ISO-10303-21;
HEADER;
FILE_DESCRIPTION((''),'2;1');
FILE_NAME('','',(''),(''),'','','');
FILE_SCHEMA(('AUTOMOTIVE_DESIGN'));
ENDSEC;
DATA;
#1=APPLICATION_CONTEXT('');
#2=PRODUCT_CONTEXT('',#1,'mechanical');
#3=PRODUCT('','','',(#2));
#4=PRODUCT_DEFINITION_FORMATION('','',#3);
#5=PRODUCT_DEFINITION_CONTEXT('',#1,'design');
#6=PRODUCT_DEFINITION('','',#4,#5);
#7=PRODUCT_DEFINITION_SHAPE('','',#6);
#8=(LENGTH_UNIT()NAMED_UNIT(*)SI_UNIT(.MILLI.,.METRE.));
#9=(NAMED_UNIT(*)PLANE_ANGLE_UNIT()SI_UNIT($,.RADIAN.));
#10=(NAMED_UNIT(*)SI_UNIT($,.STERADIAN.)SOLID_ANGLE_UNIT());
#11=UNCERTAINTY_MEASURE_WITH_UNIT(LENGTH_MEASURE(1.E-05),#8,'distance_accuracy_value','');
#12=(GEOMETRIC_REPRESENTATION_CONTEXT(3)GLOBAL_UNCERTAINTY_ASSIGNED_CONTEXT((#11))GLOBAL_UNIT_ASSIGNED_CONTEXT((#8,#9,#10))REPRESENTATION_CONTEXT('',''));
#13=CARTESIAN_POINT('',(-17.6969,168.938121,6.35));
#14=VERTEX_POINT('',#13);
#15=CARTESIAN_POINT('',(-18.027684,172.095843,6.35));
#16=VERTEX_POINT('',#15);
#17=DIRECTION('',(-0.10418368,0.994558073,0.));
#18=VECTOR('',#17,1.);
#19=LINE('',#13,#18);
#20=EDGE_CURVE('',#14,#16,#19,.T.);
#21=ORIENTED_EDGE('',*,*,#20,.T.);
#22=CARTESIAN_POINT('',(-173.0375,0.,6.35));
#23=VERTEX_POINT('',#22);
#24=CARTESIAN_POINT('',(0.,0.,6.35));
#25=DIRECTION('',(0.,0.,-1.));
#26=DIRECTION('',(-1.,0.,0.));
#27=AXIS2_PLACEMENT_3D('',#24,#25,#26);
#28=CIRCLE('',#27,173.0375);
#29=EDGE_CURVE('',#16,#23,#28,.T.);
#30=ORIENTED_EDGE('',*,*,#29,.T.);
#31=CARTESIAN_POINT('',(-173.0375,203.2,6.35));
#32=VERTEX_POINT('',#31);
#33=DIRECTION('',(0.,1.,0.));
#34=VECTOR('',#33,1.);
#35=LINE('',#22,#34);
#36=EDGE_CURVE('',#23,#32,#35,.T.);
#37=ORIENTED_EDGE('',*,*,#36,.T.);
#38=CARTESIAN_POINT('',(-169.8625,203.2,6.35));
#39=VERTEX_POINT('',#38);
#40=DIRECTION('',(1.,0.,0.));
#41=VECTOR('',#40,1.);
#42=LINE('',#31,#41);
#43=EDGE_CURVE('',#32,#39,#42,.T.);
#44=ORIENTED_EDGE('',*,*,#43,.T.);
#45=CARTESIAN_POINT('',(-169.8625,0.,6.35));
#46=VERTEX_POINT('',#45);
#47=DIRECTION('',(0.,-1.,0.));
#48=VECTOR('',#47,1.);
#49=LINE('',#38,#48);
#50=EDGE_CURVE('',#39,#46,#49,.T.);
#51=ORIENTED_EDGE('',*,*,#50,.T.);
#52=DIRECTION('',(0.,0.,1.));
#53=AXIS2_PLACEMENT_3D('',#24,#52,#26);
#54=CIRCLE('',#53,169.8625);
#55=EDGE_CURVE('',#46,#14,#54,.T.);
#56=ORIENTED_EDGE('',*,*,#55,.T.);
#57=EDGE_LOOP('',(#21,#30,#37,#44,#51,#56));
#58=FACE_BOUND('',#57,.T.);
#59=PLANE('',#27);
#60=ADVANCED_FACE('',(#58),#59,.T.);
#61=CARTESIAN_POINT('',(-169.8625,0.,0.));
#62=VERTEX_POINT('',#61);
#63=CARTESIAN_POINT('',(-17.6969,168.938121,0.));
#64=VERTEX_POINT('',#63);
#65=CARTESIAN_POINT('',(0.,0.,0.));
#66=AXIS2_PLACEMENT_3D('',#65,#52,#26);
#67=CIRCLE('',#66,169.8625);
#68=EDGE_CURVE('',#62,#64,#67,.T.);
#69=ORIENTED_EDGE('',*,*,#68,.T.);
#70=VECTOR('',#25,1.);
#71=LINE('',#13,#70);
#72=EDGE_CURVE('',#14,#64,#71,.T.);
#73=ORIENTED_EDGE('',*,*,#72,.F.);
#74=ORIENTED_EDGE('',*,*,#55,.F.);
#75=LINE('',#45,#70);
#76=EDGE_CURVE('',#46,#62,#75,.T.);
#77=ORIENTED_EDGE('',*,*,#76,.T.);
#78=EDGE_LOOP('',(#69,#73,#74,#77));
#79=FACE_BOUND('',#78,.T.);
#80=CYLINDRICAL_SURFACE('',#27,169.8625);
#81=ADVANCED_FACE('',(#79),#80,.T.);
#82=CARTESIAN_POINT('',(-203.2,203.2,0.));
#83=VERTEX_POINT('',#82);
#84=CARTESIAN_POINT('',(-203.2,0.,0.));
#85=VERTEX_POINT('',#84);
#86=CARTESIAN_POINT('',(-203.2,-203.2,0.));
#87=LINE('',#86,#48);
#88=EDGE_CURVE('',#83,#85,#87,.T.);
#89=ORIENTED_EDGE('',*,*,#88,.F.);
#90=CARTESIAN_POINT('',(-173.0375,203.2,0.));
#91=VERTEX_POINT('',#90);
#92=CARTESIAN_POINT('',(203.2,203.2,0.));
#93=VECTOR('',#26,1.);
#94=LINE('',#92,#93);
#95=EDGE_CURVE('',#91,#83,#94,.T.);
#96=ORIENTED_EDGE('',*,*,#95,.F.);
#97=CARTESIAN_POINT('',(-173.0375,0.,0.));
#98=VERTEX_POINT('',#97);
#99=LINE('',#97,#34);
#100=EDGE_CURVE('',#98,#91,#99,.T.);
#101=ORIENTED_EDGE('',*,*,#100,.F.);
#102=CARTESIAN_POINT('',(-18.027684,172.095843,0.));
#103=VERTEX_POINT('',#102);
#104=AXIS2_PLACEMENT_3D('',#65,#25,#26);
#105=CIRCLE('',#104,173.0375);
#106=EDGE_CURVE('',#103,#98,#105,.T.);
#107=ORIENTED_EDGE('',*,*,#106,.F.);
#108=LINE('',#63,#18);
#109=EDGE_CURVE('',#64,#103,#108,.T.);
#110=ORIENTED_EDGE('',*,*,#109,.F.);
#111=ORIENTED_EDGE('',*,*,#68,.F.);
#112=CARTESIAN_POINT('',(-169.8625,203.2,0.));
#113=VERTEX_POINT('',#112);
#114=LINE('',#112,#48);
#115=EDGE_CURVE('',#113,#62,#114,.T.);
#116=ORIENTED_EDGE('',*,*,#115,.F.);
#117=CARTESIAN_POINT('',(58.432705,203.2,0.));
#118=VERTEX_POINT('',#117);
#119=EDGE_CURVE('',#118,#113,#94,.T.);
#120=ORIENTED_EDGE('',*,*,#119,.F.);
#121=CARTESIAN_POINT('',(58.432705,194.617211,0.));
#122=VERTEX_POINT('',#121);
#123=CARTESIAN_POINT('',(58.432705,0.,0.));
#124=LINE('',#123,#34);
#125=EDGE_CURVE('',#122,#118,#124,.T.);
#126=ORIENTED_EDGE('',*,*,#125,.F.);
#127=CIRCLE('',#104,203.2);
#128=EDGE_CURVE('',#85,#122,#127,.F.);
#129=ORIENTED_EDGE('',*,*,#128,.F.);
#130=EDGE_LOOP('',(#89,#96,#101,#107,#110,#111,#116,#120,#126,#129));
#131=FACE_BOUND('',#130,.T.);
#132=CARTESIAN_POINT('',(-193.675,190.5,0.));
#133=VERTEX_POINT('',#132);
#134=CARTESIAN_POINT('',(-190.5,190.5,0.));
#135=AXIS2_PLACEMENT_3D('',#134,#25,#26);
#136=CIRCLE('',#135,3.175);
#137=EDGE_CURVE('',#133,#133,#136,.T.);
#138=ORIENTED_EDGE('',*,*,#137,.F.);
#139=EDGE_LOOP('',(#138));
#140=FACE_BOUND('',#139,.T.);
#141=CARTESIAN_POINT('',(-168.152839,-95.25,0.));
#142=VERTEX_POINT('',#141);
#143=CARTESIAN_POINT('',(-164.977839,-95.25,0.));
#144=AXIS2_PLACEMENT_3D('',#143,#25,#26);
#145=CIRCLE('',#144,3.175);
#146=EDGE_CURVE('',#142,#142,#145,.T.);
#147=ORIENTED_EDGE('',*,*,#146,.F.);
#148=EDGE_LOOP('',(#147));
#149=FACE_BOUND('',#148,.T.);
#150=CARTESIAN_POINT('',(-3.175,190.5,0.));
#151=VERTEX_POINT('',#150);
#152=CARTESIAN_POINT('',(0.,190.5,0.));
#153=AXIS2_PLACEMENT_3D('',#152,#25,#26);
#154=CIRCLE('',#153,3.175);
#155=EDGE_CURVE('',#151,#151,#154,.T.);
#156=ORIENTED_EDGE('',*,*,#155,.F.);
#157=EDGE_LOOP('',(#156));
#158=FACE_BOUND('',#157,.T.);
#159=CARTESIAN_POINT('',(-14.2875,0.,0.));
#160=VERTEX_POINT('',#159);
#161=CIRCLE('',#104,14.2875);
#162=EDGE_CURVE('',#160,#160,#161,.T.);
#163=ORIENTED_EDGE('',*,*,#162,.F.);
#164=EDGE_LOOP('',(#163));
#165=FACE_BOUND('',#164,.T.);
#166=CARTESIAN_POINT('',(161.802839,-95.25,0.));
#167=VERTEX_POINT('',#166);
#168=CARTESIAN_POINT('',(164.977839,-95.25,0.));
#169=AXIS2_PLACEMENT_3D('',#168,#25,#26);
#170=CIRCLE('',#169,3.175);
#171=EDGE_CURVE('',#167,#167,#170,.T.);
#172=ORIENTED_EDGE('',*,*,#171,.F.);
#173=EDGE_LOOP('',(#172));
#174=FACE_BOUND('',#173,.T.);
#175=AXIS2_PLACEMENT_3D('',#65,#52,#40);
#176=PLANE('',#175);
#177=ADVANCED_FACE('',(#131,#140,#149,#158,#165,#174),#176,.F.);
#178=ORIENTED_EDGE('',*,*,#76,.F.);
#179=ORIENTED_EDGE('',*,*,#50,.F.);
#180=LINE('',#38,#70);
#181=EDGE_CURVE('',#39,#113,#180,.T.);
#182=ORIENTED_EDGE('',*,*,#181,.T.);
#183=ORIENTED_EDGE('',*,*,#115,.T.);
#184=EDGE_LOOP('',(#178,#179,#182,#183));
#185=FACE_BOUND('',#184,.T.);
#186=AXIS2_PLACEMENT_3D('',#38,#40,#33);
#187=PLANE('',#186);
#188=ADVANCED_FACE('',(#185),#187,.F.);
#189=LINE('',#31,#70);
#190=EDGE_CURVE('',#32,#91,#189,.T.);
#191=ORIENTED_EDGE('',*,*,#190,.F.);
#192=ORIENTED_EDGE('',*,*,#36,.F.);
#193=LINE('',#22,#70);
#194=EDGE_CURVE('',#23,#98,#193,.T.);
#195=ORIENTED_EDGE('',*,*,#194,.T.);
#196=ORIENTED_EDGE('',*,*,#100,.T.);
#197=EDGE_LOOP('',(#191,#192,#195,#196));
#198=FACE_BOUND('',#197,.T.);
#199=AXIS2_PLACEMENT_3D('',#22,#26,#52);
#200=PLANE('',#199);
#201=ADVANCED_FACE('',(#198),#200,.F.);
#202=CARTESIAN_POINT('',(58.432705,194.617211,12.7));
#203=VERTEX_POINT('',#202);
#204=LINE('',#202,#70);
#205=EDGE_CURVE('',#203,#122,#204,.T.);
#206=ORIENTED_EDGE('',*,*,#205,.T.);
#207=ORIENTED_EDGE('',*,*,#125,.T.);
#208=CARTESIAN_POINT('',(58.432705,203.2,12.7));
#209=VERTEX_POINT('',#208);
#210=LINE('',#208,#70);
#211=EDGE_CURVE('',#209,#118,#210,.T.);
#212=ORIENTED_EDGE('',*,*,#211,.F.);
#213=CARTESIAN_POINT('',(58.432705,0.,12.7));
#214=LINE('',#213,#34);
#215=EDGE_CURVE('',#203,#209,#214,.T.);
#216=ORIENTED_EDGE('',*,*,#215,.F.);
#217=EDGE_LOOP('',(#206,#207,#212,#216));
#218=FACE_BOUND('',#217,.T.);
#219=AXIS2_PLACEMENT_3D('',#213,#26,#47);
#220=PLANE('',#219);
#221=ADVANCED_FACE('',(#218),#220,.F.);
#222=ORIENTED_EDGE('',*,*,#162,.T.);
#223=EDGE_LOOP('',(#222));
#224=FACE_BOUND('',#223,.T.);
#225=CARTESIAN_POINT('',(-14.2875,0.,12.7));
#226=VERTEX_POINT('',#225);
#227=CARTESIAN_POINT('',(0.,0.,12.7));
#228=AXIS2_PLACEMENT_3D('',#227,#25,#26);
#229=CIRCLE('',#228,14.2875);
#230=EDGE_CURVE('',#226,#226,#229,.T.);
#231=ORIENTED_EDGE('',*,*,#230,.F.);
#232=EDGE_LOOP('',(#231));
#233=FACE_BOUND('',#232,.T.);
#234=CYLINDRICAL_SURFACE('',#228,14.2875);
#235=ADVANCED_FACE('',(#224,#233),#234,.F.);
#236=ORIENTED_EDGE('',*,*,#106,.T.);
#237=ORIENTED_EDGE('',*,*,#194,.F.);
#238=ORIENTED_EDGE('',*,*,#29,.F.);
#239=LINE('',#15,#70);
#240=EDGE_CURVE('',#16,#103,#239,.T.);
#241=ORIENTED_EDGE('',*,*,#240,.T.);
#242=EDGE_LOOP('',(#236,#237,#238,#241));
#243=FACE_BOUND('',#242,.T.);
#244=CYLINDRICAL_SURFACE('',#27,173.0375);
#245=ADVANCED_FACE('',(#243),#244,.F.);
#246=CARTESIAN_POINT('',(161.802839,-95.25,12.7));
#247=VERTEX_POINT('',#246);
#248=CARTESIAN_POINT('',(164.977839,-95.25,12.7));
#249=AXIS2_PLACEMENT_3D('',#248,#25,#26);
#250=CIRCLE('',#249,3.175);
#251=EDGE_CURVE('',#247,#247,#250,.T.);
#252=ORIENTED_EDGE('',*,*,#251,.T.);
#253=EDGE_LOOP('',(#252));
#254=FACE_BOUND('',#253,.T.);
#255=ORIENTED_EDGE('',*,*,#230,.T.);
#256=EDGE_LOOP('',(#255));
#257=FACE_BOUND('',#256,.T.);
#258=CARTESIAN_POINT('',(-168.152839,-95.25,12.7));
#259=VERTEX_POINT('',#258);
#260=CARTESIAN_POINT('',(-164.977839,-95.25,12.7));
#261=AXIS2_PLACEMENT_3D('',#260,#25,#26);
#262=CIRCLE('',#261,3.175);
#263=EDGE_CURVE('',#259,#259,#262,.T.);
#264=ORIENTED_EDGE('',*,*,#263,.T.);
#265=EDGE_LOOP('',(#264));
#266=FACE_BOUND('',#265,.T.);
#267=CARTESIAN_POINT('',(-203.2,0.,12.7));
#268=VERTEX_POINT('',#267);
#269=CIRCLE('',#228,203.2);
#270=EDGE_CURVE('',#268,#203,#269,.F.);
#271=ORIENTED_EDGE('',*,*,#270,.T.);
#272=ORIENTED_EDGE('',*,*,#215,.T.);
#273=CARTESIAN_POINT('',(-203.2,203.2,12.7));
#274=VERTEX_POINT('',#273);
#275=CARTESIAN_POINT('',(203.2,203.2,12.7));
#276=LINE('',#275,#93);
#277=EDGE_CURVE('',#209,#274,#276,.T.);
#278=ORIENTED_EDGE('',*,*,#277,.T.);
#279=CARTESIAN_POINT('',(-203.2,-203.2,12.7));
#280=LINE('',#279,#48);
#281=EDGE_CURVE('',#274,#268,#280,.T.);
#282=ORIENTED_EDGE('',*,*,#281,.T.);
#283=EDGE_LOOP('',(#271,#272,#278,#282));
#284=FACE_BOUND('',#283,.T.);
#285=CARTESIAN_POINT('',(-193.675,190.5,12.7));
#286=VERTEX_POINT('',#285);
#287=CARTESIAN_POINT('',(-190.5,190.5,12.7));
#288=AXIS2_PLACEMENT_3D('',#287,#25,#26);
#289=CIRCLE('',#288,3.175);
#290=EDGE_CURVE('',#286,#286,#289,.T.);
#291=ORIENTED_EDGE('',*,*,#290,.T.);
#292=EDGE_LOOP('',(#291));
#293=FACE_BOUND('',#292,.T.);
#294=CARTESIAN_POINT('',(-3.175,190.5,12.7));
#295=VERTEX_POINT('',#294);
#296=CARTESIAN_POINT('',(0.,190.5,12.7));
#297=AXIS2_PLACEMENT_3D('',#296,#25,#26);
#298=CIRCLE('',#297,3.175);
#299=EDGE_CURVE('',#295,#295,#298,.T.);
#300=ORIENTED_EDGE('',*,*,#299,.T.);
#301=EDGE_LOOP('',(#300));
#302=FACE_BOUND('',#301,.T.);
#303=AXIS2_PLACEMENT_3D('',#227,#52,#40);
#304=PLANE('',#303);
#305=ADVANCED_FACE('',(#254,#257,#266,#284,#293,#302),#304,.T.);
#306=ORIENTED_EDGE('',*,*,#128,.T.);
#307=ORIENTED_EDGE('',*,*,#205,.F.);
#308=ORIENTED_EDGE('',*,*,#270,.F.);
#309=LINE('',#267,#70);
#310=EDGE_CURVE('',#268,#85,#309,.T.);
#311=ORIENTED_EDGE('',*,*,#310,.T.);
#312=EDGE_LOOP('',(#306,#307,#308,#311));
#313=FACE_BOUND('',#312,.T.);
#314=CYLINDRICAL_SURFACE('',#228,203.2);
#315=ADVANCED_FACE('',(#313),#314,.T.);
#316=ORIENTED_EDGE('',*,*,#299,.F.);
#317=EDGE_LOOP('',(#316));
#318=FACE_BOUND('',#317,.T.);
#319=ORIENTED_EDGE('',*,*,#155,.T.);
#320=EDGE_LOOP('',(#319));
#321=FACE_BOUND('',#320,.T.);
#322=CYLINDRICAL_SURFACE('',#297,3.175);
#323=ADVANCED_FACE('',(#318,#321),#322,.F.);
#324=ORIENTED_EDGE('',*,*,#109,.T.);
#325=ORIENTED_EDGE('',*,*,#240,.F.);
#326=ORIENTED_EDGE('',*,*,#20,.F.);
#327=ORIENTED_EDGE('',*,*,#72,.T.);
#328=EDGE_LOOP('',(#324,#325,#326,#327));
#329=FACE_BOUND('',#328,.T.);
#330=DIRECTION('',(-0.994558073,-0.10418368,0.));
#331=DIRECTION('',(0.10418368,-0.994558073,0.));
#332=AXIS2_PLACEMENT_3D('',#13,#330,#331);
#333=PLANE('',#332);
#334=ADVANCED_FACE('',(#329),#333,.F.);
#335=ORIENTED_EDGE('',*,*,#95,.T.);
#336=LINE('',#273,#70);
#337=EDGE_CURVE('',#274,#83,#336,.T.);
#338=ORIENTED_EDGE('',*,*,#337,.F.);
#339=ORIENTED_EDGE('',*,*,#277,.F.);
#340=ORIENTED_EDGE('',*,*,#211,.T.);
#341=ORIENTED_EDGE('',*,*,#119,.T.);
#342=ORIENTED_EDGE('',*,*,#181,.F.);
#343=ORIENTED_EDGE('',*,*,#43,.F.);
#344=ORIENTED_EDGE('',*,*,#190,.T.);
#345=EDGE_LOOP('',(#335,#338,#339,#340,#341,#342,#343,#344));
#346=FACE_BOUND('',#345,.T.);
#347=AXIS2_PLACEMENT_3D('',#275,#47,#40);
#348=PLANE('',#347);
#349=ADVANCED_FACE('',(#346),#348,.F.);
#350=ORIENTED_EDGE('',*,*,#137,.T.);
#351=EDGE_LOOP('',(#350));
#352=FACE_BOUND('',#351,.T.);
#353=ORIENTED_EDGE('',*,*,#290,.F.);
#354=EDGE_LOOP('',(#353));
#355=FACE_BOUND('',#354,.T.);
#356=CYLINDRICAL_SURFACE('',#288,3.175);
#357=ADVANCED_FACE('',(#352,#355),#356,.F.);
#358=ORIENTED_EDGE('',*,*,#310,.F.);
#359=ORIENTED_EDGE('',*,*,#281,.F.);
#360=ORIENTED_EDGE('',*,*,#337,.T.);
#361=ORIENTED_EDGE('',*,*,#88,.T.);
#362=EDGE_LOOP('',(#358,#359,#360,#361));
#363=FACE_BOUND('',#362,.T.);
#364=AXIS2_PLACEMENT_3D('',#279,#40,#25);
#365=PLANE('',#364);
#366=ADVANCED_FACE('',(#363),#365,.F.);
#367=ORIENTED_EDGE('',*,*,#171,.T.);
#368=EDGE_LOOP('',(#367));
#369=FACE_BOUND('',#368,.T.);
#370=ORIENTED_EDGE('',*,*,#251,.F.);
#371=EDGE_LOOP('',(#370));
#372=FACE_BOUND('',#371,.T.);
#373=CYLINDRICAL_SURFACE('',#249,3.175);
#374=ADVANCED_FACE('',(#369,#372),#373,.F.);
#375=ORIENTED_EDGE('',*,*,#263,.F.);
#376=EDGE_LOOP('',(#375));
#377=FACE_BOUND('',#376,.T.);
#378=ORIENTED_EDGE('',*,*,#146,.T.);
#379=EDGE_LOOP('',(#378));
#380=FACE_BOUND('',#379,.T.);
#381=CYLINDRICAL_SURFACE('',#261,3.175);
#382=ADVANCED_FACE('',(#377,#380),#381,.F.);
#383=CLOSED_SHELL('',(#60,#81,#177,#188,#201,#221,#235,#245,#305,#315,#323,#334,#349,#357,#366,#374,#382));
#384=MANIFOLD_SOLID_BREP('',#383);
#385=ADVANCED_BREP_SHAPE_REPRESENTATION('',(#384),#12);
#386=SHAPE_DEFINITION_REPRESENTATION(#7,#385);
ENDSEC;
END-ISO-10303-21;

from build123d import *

# Parameters (mm, degrees)
SKETCH1_W           = 406.4
SKETCH1_H           = 406.4
BOSS_EXTRUDE1_DEPTH = 12.7
CUT_EXTRUDE1_DEPTH  = 6.35
SKETCH3_R           = 14.2875
CUT_EXTRUDE2_DEPTH  = 13.7
SKETCH4_R           = 3.175
CUT_EXTRUDE3_DEPTH  = 13.7


with BuildPart() as part:
    # Sketch1 → Boss-Extrude1 (new body)
    with BuildSketch(Plane.XY):
        Rectangle(SKETCH1_W, SKETCH1_H)
    extrude(amount=BOSS_EXTRUDE1_DEPTH)

    # Sketch2 → Cut-Extrude1 (cut)
    with BuildSketch(Plane(origin=(0, 0, 0), x_dir=(-1, 0, 0), z_dir=(0, 0, -1))):
        with BuildLine():
            Line((17.696900373, 168.938120694), (18.027683557, 172.095842576))
            ThreePointArc((18.027683557, 172.095842576), (-128.571850923, -115.806975422), (173.0375, 0))
            Line((173.0375, 0), (173.0375, 203.2))
            Line((173.0375, 203.2), (169.8625, 203.2))
            Line((169.8625, 203.2), (169.8625, 0))
            ThreePointArc((169.8625, 0), (-126.212734393, -113.68207679), (17.696900373, 168.938120694))
        make_face()
    extrude(amount=-CUT_EXTRUDE1_DEPTH, mode=Mode.SUBTRACT)

    # Sketch3 → Cut-Extrude2 (cut, through all)
    with BuildSketch(Plane(origin=(0, 0, 0), x_dir=(-1, 0, 0), z_dir=(0, 0, -1))):
        with BuildLine():
            ThreePointArc((203.2, 0), (143.684097941, -143.684097933), (1.1e-08, -203.2))
            Line((1.1e-08, -203.2), (203.2, -203.2))
            Line((203.2, -203.2), (203.2, 0))
        make_face()
        with BuildLine():
            ThreePointArc((1.1e-08, -203.2), (-143.684098268, -143.684097606), (-203.2, 9.47e-07))
            Line((-203.2, 9.47e-07), (-203.2, -203.2))
            Line((-203.2, -203.2), (1.1e-08, -203.2))
        make_face()
        with BuildLine():
            ThreePointArc((-203.2, 9.47e-07), (-163.039512773, 121.278016454), (-58.432704894, 194.617211466))
            Line((-58.432704894, 194.617211466), (-58.432704894, 203.2))
            Line((-58.432704894, 203.2), (-203.2, 203.2))
            Line((-203.2, 203.2), (-203.2, 9.47e-07))
        make_face()
        Circle(SKETCH3_R)
    extrude(amount=-CUT_EXTRUDE2_DEPTH, mode=Mode.SUBTRACT)

    # Sketch4 → Cut-Extrude3 (cut, through all)
    with BuildSketch(Plane(origin=(0, 0, 0), x_dir=(-1, 0, 0), z_dir=(0, 0, -1))):
        with Locations((-164.977839421, -95.25)):
            Circle(SKETCH4_R)
        with Locations((0, 190.5)):
            Circle(SKETCH4_R)
        with Locations((164.977839421, -95.25)):
            Circle(SKETCH4_R)
        with Locations((190.5, 190.5)):
            Circle(SKETCH4_R)
    extrude(amount=-CUT_EXTRUDE3_DEPTH, mode=Mode.SUBTRACT)


solid = part.part
